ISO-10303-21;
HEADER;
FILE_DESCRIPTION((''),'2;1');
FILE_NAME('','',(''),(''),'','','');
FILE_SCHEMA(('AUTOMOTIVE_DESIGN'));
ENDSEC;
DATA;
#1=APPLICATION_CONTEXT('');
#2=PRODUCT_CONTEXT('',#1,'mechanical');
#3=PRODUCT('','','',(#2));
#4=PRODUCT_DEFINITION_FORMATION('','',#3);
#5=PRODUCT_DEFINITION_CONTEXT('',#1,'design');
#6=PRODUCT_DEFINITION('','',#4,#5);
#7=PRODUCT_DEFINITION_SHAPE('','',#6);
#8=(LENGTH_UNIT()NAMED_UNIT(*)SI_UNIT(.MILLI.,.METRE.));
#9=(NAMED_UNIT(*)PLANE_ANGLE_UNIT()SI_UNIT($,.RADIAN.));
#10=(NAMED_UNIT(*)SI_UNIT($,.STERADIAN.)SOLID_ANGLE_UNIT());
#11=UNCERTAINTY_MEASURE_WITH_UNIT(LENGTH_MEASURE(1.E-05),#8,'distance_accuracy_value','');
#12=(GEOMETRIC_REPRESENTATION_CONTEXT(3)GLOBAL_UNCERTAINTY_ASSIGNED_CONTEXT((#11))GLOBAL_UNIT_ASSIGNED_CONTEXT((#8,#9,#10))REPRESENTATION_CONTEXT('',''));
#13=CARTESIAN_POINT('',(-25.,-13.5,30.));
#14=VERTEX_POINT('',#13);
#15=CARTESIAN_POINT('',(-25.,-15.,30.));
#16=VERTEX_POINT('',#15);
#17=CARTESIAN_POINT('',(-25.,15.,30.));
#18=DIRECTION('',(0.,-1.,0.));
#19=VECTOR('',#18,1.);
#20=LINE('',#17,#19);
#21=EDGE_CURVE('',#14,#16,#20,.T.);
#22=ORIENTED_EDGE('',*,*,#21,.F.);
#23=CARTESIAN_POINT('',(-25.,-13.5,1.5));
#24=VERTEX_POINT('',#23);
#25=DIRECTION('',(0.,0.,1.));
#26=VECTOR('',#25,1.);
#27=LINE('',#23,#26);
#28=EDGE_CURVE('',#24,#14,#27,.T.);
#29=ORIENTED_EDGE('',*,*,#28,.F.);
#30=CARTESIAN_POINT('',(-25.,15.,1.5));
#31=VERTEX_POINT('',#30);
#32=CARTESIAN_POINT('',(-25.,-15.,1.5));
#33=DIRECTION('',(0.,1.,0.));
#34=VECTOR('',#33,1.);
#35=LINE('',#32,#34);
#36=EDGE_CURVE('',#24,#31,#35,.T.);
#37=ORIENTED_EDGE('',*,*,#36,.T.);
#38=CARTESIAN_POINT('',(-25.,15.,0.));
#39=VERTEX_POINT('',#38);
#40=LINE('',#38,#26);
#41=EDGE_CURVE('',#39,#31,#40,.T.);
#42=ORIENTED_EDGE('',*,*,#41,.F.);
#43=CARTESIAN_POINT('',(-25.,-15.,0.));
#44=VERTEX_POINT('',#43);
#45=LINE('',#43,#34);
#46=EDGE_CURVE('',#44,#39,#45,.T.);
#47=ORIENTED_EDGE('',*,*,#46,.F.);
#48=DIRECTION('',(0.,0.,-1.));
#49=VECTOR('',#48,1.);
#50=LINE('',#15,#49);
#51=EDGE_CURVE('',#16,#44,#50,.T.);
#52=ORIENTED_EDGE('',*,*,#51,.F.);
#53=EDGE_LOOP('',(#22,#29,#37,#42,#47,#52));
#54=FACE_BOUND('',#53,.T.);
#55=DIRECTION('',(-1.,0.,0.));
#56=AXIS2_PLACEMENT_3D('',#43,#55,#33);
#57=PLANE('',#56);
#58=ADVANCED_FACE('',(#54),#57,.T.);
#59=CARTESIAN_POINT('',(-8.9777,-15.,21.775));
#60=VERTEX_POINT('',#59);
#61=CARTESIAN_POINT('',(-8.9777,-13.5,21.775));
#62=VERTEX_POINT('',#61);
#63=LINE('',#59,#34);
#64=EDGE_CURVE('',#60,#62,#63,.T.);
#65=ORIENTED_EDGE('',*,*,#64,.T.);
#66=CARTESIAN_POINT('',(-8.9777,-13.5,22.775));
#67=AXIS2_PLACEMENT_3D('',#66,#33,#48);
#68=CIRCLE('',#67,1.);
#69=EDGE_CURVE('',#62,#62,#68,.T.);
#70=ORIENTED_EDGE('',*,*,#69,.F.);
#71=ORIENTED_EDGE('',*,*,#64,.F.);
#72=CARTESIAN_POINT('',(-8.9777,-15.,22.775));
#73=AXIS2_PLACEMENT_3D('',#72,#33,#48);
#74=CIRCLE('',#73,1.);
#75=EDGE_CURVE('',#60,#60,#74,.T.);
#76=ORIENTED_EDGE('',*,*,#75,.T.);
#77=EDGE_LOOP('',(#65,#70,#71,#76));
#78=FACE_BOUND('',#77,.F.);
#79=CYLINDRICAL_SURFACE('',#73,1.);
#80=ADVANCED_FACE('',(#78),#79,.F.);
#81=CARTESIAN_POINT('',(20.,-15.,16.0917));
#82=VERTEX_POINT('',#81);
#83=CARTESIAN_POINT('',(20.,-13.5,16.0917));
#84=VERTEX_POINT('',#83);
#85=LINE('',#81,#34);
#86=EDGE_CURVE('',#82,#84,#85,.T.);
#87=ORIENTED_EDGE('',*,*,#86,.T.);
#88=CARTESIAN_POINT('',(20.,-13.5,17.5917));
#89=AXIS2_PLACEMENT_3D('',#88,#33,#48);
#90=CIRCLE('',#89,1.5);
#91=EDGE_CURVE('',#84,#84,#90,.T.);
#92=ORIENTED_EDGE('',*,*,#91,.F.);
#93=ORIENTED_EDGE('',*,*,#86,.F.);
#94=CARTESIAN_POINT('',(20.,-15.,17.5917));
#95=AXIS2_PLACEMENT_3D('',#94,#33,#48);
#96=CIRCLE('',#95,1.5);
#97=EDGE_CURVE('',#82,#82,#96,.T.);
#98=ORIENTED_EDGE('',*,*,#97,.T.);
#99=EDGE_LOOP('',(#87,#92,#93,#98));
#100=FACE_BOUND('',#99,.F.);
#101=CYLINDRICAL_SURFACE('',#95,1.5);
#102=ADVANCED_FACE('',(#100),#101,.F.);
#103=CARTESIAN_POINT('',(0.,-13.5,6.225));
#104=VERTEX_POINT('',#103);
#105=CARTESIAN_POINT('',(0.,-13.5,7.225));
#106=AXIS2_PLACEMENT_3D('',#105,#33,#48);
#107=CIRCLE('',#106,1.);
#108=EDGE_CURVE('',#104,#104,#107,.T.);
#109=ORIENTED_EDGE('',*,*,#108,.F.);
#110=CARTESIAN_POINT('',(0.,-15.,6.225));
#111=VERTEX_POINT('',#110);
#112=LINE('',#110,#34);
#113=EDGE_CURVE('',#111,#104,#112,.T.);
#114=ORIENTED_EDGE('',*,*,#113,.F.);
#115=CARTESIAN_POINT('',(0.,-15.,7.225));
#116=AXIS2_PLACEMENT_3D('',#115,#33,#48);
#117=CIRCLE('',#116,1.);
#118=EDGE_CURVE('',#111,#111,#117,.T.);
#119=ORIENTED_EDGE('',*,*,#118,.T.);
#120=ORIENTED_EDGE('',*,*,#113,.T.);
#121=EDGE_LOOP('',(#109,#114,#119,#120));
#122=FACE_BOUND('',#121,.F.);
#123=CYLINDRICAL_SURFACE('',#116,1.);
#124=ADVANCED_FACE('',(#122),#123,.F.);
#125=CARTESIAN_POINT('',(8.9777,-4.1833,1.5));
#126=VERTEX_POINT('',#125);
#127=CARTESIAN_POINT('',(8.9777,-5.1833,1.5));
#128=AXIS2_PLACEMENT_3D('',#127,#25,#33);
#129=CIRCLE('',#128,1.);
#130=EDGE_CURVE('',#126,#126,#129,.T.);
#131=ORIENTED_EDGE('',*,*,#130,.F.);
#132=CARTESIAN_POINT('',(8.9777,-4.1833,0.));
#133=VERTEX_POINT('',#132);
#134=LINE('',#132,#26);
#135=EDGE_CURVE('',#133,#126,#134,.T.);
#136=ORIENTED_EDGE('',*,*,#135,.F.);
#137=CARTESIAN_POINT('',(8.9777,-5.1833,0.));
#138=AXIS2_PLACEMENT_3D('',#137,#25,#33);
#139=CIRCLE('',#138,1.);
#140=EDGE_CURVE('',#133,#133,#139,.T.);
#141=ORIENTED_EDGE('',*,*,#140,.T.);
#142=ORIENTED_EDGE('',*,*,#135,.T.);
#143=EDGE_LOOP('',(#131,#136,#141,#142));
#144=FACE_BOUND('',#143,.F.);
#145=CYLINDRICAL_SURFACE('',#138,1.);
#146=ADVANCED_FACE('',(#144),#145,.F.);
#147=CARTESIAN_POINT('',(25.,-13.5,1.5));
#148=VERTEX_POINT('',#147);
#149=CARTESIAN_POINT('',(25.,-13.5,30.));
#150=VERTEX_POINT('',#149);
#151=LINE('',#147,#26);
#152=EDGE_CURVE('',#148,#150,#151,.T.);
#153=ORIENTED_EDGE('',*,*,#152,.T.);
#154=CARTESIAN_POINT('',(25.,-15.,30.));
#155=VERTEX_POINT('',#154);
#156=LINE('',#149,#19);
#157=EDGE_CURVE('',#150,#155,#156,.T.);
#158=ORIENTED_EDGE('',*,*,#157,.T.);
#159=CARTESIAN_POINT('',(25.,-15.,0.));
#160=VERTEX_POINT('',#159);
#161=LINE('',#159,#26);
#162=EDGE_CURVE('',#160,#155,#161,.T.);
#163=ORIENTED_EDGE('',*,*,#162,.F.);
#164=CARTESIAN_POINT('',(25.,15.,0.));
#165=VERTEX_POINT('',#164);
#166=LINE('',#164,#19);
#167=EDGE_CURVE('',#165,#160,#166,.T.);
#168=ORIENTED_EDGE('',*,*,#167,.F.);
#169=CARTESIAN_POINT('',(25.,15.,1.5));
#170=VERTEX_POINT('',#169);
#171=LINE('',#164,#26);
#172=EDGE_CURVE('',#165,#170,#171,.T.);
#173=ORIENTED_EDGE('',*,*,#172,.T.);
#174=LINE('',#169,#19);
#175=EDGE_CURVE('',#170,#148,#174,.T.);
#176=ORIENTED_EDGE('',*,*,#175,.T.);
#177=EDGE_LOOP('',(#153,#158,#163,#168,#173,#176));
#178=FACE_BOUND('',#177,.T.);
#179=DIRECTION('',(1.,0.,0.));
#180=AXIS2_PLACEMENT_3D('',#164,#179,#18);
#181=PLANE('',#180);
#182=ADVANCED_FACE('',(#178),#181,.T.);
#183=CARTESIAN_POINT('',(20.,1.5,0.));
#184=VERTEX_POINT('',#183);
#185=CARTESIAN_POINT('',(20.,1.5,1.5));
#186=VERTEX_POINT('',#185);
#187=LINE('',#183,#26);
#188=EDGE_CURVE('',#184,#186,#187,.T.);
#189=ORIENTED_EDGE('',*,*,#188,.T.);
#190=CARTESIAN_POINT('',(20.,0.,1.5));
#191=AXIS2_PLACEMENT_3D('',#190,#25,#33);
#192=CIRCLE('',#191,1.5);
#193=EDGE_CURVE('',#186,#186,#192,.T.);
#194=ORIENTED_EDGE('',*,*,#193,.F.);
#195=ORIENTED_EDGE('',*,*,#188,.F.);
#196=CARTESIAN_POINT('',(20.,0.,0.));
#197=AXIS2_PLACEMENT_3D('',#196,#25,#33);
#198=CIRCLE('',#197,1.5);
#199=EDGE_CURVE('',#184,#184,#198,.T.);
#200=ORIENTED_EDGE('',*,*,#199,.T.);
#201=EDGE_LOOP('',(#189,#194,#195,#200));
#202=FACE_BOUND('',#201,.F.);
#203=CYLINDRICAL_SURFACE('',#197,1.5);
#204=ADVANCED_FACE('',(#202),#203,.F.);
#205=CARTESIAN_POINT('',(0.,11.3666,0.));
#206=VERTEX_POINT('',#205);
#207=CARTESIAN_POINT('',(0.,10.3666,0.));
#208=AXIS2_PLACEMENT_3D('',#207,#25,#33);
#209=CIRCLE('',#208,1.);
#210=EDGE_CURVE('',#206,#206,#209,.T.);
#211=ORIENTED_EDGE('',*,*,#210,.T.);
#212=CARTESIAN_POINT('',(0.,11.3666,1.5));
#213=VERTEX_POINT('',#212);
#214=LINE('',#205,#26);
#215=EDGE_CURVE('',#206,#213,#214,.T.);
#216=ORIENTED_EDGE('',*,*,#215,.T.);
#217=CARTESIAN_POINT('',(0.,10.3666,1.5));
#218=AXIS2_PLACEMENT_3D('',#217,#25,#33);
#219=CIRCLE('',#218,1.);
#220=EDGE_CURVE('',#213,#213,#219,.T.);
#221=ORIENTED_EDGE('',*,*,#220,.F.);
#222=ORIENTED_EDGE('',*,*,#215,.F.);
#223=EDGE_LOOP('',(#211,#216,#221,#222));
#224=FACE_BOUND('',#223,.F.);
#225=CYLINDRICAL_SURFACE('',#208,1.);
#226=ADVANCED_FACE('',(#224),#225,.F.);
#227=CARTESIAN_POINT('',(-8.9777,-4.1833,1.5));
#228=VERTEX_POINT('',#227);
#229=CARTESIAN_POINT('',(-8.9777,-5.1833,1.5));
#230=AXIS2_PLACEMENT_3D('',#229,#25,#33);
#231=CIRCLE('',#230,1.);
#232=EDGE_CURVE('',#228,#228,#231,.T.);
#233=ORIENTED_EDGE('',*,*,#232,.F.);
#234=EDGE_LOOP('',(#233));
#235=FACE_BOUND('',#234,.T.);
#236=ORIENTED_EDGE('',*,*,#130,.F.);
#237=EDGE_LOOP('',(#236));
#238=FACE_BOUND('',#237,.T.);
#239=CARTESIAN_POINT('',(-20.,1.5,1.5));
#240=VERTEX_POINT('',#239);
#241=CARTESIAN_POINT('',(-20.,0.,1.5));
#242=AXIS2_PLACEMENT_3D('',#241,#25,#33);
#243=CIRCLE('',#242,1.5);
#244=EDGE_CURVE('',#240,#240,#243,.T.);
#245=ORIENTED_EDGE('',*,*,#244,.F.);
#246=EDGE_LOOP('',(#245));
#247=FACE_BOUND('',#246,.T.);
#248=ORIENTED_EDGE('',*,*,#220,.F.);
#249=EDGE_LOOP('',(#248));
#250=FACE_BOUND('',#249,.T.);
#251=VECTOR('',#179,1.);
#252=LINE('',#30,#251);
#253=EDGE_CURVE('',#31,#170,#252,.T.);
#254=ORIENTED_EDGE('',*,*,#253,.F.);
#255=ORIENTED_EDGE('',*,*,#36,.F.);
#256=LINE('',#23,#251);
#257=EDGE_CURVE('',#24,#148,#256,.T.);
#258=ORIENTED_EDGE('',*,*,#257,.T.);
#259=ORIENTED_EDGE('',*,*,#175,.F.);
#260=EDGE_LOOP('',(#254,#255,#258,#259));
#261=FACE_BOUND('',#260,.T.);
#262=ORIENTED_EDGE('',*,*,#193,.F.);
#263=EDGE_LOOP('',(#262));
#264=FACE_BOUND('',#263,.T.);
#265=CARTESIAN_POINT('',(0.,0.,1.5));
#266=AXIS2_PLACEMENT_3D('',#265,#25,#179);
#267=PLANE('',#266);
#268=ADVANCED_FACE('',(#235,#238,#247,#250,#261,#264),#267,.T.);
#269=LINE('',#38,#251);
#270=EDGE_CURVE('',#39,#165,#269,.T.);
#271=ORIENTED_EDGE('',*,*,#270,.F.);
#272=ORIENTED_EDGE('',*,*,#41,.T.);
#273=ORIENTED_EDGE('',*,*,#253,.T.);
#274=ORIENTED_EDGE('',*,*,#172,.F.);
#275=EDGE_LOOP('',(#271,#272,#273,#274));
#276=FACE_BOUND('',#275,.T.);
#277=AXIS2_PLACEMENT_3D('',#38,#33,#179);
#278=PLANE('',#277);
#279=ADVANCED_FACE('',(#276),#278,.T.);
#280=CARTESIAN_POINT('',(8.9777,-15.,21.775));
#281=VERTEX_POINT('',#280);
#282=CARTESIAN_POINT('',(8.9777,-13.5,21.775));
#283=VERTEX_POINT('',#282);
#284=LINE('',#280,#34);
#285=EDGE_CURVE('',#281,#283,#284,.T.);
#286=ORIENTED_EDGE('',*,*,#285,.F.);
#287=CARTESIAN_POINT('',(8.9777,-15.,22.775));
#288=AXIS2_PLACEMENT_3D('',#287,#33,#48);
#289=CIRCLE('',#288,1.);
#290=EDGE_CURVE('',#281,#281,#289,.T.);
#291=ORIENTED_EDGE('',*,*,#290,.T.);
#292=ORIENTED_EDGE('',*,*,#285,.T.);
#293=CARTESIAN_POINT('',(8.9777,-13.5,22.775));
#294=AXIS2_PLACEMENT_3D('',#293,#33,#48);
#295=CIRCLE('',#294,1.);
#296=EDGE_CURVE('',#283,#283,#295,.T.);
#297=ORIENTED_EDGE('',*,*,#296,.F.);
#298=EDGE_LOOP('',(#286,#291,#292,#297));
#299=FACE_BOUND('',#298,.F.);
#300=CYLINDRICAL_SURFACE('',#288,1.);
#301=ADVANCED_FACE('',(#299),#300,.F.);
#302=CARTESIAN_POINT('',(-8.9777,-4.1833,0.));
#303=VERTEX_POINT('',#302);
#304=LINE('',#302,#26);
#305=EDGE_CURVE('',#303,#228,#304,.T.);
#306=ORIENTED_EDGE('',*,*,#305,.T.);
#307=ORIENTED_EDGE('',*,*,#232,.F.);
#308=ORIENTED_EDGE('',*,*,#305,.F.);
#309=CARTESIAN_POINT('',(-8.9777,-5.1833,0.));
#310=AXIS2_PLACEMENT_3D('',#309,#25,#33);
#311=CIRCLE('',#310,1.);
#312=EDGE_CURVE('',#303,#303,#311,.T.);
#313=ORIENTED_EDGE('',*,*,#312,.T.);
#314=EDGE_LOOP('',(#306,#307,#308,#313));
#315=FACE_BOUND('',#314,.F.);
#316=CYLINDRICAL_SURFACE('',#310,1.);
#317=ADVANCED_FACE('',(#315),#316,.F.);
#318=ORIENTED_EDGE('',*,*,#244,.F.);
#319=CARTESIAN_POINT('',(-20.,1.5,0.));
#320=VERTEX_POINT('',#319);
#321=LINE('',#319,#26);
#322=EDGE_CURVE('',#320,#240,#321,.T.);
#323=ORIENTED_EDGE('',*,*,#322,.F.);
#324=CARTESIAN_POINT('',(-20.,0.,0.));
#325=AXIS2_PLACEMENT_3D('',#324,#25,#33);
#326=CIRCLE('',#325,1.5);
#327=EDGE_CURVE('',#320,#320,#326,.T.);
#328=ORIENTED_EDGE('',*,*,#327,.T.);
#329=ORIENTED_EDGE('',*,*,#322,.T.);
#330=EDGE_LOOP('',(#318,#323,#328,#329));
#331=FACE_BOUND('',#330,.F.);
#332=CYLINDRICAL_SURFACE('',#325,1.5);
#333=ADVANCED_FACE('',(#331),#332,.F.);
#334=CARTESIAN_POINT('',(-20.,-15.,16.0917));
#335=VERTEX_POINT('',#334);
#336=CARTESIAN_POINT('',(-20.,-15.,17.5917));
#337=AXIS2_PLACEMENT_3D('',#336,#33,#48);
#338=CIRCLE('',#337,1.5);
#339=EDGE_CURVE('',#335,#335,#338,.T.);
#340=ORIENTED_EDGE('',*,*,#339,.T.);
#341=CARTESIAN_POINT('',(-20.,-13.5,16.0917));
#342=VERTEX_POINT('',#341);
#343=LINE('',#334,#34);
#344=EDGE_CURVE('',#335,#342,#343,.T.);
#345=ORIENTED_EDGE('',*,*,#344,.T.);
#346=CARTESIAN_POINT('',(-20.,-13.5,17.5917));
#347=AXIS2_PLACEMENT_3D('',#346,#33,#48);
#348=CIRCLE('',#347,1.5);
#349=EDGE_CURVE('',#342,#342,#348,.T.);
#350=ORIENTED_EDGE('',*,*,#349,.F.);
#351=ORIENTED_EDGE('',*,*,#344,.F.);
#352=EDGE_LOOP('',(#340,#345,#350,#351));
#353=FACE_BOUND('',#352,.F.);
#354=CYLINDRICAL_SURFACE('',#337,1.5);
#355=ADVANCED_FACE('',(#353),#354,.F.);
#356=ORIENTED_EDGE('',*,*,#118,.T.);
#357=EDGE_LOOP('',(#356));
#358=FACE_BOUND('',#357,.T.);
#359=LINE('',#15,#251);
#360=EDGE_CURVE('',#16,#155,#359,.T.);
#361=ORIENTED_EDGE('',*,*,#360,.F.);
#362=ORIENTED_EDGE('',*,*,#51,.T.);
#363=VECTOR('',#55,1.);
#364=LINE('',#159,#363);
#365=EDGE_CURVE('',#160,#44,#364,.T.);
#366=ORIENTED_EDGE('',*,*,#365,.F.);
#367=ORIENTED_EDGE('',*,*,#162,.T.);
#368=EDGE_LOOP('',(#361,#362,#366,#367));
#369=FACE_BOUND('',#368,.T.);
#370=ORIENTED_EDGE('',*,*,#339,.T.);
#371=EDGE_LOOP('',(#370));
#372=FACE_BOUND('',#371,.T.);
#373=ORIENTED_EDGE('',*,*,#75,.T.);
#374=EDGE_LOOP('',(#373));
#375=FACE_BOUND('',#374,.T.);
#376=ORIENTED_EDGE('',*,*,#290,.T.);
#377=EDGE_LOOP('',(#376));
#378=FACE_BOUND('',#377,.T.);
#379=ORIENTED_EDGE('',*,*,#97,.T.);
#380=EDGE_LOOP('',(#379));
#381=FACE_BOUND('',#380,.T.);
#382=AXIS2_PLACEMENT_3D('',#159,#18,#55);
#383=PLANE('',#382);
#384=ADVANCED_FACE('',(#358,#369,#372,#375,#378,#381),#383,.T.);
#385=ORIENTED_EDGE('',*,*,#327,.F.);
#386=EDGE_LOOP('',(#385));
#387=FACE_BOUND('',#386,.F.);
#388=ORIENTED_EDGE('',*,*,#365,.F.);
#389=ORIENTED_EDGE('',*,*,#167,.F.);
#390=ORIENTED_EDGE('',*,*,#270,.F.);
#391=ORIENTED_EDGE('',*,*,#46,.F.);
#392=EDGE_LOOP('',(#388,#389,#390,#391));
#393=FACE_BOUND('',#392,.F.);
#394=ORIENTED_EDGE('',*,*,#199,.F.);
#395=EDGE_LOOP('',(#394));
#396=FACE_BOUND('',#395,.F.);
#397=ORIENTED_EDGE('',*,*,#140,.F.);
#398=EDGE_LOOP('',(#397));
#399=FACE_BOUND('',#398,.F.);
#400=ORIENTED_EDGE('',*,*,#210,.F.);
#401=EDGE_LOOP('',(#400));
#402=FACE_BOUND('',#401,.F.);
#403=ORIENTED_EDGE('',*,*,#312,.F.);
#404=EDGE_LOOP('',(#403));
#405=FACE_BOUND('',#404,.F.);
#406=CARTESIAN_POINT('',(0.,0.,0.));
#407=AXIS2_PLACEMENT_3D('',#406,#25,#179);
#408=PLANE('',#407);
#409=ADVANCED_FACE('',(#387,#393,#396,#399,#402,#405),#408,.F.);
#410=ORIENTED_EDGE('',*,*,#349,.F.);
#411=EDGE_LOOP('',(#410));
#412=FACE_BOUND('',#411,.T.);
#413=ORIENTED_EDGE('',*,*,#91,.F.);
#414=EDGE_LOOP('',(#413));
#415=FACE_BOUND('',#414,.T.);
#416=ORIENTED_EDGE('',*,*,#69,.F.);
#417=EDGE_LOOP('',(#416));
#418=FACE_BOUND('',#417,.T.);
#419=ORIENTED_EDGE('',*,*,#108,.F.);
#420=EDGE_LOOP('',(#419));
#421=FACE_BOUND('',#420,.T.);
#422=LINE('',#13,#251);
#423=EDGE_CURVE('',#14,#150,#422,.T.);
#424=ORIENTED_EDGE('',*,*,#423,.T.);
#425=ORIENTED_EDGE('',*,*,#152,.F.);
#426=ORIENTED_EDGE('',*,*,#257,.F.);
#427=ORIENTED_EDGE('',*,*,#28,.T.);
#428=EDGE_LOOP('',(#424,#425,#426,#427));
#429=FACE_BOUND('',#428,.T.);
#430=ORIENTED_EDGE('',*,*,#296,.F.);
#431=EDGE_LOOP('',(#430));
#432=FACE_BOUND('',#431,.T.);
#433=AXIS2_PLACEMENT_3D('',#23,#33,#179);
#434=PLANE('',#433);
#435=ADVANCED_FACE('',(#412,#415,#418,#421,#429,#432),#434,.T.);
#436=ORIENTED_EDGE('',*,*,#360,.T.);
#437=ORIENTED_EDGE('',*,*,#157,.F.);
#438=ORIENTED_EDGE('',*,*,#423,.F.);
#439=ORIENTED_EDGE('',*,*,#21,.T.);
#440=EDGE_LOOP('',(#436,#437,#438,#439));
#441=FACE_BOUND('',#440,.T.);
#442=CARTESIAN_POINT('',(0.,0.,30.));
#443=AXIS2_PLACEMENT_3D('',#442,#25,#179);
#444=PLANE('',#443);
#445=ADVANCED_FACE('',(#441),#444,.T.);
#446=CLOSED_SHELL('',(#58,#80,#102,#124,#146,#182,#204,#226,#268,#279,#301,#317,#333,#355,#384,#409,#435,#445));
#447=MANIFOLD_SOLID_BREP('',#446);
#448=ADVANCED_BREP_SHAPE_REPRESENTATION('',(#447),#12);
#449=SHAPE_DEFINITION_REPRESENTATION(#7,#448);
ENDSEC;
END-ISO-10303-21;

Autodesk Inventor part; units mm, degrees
ref_plane "YZ Plane" through (0, 0, 0) normal (1, 0, 0) x (0, 1, 0)
ref_plane "XZ Plane" through (0, 0, 0) normal (0, 1, 0) x (-1, 0, 0)
ref_plane "XY Plane" through (0, 0, 0) normal (0, 0, 1) x (1, 0, 0)
sketch "Sketch7" plane through (0, 0, 0) normal (0, 0, 1) x (1, 0, 0)
  line L0 (25, -15) -> (-25, -15)
  line L1 (-25, -15) -> (-25, 15)
  line L2 (-25, 15) -> (25, 15)
  line L3 (25, 15) -> (25, -15)
  line L4 (25, -15) -> (-25, 15) construction
  line L5 (-25, -15) -> (25, 15) construction
  point P0 (0, 0)
  dimension "d37" = 50
  dimension "d38" = 30
extrude "Extrusion4" add sketch "Sketch7" along normal blind 1.5
sketch "Sketch8" plane through (0, 0, 1.5) normal (0, 0, 1) x (1, 0, 0)
  line L0 (-25, -15) -> (25, -15) projected
  line L1 (-25, 15) -> (-25, -15) projected
  line L2 (25, -15) -> (-25, -15)
  line L3 (-25, -15) -> (-25, -13.5)
  line L4 (-25, -13.5) -> (25, -13.5)
  line L5 (25, -13.5) -> (25, -15)
  point P0 (0, 0)
  dimension "d41" = 1.5
extrude "Extrusion5" add sketch "Sketch8" along normal blind 28.5
sketch "Sketch14" plane through (0, 0, 0) normal (0, 0, -1) x (-1, 0, 0)
  circle A0 centre (0, 0) radius 8.5
  line L0 (-1.5, 8.3666) -> (-1.5, 10.3666)
  line L1 (-1.5, 8.3666) -> (0.5, 8.3666) construction
  line L2 (1.5, 8.3666) -> (1.5, 10.3666)
  arc A1 (1.5, 10.3666) -> (-1.5, 10.3666) centre (0, 10.3666) ccw
  line L3 (-6.4957, -5.4823) -> (-8.2277, -6.4823)
  arc A2 (-9.7277, -3.8843) -> (-8.2277, -6.4823) centre (-8.9777, -5.1833) ccw
  line L4 (-7.9957, -2.8843) -> (-9.7277, -3.8843)
  line L5 (7.9957, -2.8843) -> (9.7277, -3.8843)
  arc A3 (8.2277, -6.4823) -> (9.7277, -3.8843) centre (8.9777, -5.1833) ccw
  line L6 (6.4957, -5.4823) -> (8.2277, -6.4823)
  line L7 (-25, 15) -> (-25, -15) projected
  line L8 (25, -15) -> (25, 15) projected
  point P0 (-20, 0)
  point P1 (20, 0)
  dimension "d80" = 17
  dimension "d127" = 2
  dimension "d128" = 90
  dimension "d131" = 360
  dimension "d146" = 5
  dimension "d147" = 5
hole "Hole5" at (0, 10.3666, 0) at (-8.9777, -5.1833, 0) at (8.9777, -5.1833, 0) direction (0, 0, 1) diameter 2 end through all
hole "Hole6" at (-20, 0, 0) at (20, 0, 0) direction (0, 0, 1) diameter 3 end through all
sketch "Sketch17" plane through (0, -15, 17.5917) normal (0, -1, 0) x (-1, 0, 0)
  circle A0 centre (0, 0) radius 8.5
  line L0 (-1.5, 8.3666) -> (-1.5, 10.3666)
  line L1 (-1.5, 8.3666) -> (0.5, 8.3666) construction
  line L2 (1.5, 8.3666) -> (1.5, 10.3666)
  arc A1 (1.5, 10.3666) -> (-1.5, 10.3666) centre (0, 10.3666) ccw
  line L3 (-6.4957, -5.4823) -> (-8.2277, -6.4823)
  arc A2 (-9.7277, -3.8843) -> (-8.2277, -6.4823) centre (-8.9777, -5.1833) ccw
  line L4 (-7.9957, -2.8843) -> (-9.7277, -3.8843)
  line L5 (7.9957, -2.8843) -> (9.7277, -3.8843)
  arc A3 (8.2277, -6.4823) -> (9.7277, -3.8843) centre (8.9777, -5.1833) ccw
  line L6 (6.4957, -5.4823) -> (8.2277, -6.4823)
  line L7 (-25, 15) -> (-25, -15)
  line L8 (25, -15) -> (25, 15)
  point P0 (-20, 0)
  point P1 (20, 0)
  dimension "d155" = 17
  dimension "d154" = 2
  dimension "d169" = 90
  dimension "d151" = 360
  dimension "d153" = 5
  dimension "d152" = 5
hole "Hole10" at (0, -15, 7.225) at (-8.9777, -15, 22.775) at (8.9777, -15, 22.775) direction (0, 1, 0) diameter 2 end through all
hole "Hole11" at (-20, -15, 17.5917) at (20, -15, 17.5917) direction (0, 1, 0) diameter 3 end through all
properties part number "bracket_design2" material "Aluminum 6061"
